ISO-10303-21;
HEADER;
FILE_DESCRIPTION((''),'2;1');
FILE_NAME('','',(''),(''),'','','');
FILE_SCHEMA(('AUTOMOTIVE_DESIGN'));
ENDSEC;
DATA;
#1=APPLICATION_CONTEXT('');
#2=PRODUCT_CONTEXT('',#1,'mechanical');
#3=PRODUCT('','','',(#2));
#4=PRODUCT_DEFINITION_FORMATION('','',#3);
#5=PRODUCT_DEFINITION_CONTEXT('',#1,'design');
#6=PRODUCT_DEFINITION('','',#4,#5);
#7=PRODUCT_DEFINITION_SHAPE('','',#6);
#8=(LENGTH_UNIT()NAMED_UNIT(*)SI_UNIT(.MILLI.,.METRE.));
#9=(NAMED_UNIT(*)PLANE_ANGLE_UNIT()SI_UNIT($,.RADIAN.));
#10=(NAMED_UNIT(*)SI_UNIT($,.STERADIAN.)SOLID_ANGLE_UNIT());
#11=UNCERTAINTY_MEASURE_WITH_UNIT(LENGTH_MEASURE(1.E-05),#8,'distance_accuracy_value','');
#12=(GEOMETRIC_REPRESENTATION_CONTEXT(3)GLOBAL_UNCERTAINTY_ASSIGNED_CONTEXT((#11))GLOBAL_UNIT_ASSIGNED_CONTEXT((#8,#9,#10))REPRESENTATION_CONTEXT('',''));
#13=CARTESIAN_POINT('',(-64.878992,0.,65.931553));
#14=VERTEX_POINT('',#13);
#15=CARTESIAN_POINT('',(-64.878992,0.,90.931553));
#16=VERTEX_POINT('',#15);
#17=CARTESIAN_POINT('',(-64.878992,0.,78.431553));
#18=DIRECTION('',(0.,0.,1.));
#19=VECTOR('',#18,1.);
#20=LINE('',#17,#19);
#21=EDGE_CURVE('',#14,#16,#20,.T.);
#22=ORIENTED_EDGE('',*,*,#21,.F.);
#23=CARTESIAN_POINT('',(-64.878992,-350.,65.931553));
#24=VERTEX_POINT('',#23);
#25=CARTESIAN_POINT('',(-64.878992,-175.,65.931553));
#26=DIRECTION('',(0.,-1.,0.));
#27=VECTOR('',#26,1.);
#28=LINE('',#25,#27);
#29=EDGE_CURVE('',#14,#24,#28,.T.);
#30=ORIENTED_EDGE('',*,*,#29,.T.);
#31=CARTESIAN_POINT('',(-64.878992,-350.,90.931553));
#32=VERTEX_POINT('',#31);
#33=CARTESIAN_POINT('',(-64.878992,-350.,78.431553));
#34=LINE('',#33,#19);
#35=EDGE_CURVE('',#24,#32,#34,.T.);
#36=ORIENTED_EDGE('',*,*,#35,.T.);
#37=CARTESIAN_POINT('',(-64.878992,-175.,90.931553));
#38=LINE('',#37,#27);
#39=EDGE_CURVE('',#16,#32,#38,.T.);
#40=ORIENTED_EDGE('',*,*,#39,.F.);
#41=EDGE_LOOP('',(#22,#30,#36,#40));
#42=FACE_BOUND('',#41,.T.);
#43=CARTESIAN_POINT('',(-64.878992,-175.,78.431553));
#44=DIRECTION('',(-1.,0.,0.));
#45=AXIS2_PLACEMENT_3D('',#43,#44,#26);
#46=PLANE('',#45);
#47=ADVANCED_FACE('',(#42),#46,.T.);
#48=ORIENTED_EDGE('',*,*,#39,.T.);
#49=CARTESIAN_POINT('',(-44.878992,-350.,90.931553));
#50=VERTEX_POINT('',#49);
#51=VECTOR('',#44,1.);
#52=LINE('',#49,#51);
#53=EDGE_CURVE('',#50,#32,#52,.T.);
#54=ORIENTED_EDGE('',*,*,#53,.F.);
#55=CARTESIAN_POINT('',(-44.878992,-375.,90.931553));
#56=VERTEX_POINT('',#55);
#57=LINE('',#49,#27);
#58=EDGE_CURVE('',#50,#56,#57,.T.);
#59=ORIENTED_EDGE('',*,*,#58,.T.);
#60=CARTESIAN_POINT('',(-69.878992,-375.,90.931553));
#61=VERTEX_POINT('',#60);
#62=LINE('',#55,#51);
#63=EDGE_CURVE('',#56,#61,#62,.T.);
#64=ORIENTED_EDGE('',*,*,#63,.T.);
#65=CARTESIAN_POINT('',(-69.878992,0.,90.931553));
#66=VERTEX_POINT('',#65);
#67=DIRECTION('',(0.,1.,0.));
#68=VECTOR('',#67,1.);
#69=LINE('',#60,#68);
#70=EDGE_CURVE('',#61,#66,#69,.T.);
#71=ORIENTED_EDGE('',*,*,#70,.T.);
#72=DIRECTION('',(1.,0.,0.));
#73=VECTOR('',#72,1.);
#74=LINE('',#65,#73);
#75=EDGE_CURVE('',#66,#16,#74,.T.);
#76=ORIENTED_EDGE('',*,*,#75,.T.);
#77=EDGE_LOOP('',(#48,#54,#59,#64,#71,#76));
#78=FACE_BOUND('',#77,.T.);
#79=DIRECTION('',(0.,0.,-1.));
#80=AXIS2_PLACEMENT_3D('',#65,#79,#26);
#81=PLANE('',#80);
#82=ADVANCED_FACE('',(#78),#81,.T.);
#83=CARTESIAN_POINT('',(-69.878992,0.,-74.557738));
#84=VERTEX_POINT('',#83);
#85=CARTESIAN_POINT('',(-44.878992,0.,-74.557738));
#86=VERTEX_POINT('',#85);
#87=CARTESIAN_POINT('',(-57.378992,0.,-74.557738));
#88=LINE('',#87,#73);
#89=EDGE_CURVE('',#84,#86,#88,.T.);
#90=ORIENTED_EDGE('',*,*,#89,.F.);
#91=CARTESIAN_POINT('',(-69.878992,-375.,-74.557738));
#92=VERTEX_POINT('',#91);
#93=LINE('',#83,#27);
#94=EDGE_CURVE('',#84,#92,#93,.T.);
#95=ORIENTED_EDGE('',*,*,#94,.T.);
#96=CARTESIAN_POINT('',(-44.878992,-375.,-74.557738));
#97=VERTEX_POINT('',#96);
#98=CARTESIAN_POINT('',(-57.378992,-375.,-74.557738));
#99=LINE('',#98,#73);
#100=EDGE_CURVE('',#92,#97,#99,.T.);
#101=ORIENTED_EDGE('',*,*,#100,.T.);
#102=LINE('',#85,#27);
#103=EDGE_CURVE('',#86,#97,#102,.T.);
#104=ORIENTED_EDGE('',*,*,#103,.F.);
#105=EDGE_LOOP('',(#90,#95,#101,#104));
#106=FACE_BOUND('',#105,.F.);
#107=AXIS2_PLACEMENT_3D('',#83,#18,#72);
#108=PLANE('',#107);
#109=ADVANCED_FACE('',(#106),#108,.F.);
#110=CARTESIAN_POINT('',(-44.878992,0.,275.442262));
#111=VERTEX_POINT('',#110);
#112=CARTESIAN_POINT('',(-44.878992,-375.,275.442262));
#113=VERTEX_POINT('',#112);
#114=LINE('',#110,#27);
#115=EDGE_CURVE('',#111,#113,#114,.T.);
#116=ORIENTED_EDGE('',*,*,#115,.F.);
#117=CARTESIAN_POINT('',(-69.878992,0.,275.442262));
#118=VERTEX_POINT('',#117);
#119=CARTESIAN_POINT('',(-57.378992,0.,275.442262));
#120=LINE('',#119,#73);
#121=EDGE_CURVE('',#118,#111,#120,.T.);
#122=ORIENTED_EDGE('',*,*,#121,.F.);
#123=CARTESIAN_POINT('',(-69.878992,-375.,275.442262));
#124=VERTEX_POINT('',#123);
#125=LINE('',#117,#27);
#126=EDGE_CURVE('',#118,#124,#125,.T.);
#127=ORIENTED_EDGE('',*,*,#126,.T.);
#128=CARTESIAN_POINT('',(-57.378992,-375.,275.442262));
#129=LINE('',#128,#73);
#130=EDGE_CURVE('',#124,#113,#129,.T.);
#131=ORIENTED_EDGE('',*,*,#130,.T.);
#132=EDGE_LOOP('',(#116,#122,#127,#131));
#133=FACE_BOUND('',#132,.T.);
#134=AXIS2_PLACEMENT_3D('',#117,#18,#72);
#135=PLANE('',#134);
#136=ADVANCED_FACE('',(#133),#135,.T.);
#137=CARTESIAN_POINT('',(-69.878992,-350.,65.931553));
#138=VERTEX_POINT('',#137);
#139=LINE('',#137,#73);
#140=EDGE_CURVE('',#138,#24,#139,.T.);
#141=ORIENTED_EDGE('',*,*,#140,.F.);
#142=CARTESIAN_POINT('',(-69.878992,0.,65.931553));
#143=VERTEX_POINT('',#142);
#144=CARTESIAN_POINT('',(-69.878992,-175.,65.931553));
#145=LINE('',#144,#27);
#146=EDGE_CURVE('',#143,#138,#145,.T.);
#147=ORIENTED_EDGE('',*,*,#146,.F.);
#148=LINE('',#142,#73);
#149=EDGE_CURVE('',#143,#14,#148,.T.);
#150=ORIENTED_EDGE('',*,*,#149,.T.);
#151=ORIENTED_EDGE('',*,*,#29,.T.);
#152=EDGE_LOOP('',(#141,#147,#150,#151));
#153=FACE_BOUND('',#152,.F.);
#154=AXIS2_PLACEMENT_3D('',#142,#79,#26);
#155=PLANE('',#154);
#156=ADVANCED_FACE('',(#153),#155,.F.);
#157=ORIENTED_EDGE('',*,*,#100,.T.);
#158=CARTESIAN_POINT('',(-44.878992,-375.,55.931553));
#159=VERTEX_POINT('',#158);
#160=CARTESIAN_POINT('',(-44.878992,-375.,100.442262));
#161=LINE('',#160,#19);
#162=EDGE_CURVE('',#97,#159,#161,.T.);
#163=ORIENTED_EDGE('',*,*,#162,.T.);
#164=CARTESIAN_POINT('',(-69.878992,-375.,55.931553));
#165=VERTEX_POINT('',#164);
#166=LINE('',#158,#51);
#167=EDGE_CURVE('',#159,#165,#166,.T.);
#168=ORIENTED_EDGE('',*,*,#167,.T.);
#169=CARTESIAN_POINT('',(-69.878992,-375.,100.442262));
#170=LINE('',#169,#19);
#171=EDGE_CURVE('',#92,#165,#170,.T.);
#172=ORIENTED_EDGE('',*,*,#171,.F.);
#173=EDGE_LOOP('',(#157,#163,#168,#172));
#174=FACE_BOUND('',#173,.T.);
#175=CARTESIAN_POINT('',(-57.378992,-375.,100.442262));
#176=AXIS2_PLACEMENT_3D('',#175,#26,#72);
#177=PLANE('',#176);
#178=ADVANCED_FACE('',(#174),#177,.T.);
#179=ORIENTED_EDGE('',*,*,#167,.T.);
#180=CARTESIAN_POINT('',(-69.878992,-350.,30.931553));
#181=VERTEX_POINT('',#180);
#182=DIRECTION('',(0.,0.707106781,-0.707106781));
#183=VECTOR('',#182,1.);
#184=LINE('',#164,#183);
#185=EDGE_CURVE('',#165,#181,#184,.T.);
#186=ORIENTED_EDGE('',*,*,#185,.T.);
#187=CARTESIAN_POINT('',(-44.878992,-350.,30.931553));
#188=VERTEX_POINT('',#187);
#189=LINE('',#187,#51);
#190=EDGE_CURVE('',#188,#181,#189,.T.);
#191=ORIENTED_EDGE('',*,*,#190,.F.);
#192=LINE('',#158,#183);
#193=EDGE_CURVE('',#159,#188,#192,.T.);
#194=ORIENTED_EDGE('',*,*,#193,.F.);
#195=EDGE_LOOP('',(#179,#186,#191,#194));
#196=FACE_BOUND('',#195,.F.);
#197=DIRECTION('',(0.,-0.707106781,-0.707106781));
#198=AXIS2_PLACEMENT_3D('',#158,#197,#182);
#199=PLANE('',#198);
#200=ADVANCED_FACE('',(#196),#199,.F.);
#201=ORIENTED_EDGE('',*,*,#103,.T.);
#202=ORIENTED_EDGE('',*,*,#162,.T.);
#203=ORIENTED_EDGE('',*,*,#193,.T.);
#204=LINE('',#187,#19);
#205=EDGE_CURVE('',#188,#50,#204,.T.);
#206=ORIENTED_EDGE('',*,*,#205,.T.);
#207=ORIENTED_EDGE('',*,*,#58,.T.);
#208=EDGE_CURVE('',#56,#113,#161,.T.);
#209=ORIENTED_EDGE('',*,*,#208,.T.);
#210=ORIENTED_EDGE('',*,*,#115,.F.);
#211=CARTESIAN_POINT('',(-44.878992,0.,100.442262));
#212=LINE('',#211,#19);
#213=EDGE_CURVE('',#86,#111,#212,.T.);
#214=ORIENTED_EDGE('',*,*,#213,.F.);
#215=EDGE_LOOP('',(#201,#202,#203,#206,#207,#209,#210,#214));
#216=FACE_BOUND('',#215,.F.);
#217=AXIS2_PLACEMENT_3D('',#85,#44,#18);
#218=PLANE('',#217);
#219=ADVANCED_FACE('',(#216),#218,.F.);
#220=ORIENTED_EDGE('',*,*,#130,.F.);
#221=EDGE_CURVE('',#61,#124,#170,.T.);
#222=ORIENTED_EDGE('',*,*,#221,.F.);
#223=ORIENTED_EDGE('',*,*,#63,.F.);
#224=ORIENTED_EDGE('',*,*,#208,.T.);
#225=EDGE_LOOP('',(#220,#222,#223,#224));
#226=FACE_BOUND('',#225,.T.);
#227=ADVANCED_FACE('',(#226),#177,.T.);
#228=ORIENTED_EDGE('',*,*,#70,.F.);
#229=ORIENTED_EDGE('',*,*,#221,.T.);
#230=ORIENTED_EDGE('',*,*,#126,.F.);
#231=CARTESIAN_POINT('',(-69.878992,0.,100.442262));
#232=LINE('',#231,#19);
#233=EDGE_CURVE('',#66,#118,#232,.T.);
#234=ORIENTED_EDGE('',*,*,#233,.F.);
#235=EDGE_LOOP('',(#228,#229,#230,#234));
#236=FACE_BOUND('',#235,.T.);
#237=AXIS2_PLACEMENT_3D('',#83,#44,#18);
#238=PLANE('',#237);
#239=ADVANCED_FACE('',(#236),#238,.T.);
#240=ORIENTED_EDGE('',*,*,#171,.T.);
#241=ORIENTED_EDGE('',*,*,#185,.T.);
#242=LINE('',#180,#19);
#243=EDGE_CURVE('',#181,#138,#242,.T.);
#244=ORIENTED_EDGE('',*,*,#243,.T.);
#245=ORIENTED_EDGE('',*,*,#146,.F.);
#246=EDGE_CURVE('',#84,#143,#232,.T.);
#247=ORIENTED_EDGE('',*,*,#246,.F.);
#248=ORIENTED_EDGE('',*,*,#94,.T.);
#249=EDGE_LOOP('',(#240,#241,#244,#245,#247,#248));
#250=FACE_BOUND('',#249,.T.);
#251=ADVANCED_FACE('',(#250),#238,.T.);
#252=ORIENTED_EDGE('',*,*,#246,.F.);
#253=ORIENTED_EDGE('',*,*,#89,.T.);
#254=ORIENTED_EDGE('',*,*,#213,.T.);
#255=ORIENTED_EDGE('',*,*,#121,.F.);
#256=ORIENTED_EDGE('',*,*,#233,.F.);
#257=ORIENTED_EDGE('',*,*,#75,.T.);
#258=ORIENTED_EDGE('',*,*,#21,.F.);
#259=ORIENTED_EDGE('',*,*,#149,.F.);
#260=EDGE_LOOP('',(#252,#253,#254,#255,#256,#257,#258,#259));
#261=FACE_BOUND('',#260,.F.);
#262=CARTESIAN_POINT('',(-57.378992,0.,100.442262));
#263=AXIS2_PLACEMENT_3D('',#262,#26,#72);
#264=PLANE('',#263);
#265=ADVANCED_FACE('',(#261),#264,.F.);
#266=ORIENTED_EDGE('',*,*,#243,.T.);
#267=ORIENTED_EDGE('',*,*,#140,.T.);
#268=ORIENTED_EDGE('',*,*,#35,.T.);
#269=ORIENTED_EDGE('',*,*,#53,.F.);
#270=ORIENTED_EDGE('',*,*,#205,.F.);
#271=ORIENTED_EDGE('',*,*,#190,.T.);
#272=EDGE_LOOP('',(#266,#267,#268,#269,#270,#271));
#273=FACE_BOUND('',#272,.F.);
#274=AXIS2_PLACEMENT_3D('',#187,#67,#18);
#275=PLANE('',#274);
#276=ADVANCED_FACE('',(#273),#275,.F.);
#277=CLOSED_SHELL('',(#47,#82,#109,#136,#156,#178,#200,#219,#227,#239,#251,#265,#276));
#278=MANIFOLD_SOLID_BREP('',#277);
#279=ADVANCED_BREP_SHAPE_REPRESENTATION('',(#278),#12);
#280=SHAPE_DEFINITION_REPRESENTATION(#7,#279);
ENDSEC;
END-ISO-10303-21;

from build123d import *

# Parameters (mm, degrees)
F0_W     = 25
F0_H     = 350
F1_DEPTH = 375
F3_DEPTH = 25
F4_W     = 350
F4_H     = 25
F5_DEPTH = 5


with BuildPart() as f1:
    # F0 (on Front) → F1 (new body)
    with BuildSketch(Plane.XZ):
        with Locations((-57.378992, 100.442262)):
            Rectangle(F0_W, F0_H)
    extrude(amount=F1_DEPTH)

    # F2 (on face) → F3 (cut)
    with BuildSketch(Plane.YZ.offset(-44.878992)):
        Polygon((-375, 90.931553), (-375, 55.931553), (-350, 30.931553), (-350, 90.931553), align=None)
    extrude(amount=-F3_DEPTH, mode=Mode.SUBTRACT)

    # F4 (on face) → F5 (cut)
    with BuildSketch(Plane(origin=(-69.878992, 0, 0), x_dir=(0, -1, 0), z_dir=(-1, 0, 0))):
        with Locations((175, 78.431553)):
            Rectangle(F4_W, F4_H)
    extrude(amount=-F5_DEPTH, mode=Mode.SUBTRACT)


solid = f1.part
